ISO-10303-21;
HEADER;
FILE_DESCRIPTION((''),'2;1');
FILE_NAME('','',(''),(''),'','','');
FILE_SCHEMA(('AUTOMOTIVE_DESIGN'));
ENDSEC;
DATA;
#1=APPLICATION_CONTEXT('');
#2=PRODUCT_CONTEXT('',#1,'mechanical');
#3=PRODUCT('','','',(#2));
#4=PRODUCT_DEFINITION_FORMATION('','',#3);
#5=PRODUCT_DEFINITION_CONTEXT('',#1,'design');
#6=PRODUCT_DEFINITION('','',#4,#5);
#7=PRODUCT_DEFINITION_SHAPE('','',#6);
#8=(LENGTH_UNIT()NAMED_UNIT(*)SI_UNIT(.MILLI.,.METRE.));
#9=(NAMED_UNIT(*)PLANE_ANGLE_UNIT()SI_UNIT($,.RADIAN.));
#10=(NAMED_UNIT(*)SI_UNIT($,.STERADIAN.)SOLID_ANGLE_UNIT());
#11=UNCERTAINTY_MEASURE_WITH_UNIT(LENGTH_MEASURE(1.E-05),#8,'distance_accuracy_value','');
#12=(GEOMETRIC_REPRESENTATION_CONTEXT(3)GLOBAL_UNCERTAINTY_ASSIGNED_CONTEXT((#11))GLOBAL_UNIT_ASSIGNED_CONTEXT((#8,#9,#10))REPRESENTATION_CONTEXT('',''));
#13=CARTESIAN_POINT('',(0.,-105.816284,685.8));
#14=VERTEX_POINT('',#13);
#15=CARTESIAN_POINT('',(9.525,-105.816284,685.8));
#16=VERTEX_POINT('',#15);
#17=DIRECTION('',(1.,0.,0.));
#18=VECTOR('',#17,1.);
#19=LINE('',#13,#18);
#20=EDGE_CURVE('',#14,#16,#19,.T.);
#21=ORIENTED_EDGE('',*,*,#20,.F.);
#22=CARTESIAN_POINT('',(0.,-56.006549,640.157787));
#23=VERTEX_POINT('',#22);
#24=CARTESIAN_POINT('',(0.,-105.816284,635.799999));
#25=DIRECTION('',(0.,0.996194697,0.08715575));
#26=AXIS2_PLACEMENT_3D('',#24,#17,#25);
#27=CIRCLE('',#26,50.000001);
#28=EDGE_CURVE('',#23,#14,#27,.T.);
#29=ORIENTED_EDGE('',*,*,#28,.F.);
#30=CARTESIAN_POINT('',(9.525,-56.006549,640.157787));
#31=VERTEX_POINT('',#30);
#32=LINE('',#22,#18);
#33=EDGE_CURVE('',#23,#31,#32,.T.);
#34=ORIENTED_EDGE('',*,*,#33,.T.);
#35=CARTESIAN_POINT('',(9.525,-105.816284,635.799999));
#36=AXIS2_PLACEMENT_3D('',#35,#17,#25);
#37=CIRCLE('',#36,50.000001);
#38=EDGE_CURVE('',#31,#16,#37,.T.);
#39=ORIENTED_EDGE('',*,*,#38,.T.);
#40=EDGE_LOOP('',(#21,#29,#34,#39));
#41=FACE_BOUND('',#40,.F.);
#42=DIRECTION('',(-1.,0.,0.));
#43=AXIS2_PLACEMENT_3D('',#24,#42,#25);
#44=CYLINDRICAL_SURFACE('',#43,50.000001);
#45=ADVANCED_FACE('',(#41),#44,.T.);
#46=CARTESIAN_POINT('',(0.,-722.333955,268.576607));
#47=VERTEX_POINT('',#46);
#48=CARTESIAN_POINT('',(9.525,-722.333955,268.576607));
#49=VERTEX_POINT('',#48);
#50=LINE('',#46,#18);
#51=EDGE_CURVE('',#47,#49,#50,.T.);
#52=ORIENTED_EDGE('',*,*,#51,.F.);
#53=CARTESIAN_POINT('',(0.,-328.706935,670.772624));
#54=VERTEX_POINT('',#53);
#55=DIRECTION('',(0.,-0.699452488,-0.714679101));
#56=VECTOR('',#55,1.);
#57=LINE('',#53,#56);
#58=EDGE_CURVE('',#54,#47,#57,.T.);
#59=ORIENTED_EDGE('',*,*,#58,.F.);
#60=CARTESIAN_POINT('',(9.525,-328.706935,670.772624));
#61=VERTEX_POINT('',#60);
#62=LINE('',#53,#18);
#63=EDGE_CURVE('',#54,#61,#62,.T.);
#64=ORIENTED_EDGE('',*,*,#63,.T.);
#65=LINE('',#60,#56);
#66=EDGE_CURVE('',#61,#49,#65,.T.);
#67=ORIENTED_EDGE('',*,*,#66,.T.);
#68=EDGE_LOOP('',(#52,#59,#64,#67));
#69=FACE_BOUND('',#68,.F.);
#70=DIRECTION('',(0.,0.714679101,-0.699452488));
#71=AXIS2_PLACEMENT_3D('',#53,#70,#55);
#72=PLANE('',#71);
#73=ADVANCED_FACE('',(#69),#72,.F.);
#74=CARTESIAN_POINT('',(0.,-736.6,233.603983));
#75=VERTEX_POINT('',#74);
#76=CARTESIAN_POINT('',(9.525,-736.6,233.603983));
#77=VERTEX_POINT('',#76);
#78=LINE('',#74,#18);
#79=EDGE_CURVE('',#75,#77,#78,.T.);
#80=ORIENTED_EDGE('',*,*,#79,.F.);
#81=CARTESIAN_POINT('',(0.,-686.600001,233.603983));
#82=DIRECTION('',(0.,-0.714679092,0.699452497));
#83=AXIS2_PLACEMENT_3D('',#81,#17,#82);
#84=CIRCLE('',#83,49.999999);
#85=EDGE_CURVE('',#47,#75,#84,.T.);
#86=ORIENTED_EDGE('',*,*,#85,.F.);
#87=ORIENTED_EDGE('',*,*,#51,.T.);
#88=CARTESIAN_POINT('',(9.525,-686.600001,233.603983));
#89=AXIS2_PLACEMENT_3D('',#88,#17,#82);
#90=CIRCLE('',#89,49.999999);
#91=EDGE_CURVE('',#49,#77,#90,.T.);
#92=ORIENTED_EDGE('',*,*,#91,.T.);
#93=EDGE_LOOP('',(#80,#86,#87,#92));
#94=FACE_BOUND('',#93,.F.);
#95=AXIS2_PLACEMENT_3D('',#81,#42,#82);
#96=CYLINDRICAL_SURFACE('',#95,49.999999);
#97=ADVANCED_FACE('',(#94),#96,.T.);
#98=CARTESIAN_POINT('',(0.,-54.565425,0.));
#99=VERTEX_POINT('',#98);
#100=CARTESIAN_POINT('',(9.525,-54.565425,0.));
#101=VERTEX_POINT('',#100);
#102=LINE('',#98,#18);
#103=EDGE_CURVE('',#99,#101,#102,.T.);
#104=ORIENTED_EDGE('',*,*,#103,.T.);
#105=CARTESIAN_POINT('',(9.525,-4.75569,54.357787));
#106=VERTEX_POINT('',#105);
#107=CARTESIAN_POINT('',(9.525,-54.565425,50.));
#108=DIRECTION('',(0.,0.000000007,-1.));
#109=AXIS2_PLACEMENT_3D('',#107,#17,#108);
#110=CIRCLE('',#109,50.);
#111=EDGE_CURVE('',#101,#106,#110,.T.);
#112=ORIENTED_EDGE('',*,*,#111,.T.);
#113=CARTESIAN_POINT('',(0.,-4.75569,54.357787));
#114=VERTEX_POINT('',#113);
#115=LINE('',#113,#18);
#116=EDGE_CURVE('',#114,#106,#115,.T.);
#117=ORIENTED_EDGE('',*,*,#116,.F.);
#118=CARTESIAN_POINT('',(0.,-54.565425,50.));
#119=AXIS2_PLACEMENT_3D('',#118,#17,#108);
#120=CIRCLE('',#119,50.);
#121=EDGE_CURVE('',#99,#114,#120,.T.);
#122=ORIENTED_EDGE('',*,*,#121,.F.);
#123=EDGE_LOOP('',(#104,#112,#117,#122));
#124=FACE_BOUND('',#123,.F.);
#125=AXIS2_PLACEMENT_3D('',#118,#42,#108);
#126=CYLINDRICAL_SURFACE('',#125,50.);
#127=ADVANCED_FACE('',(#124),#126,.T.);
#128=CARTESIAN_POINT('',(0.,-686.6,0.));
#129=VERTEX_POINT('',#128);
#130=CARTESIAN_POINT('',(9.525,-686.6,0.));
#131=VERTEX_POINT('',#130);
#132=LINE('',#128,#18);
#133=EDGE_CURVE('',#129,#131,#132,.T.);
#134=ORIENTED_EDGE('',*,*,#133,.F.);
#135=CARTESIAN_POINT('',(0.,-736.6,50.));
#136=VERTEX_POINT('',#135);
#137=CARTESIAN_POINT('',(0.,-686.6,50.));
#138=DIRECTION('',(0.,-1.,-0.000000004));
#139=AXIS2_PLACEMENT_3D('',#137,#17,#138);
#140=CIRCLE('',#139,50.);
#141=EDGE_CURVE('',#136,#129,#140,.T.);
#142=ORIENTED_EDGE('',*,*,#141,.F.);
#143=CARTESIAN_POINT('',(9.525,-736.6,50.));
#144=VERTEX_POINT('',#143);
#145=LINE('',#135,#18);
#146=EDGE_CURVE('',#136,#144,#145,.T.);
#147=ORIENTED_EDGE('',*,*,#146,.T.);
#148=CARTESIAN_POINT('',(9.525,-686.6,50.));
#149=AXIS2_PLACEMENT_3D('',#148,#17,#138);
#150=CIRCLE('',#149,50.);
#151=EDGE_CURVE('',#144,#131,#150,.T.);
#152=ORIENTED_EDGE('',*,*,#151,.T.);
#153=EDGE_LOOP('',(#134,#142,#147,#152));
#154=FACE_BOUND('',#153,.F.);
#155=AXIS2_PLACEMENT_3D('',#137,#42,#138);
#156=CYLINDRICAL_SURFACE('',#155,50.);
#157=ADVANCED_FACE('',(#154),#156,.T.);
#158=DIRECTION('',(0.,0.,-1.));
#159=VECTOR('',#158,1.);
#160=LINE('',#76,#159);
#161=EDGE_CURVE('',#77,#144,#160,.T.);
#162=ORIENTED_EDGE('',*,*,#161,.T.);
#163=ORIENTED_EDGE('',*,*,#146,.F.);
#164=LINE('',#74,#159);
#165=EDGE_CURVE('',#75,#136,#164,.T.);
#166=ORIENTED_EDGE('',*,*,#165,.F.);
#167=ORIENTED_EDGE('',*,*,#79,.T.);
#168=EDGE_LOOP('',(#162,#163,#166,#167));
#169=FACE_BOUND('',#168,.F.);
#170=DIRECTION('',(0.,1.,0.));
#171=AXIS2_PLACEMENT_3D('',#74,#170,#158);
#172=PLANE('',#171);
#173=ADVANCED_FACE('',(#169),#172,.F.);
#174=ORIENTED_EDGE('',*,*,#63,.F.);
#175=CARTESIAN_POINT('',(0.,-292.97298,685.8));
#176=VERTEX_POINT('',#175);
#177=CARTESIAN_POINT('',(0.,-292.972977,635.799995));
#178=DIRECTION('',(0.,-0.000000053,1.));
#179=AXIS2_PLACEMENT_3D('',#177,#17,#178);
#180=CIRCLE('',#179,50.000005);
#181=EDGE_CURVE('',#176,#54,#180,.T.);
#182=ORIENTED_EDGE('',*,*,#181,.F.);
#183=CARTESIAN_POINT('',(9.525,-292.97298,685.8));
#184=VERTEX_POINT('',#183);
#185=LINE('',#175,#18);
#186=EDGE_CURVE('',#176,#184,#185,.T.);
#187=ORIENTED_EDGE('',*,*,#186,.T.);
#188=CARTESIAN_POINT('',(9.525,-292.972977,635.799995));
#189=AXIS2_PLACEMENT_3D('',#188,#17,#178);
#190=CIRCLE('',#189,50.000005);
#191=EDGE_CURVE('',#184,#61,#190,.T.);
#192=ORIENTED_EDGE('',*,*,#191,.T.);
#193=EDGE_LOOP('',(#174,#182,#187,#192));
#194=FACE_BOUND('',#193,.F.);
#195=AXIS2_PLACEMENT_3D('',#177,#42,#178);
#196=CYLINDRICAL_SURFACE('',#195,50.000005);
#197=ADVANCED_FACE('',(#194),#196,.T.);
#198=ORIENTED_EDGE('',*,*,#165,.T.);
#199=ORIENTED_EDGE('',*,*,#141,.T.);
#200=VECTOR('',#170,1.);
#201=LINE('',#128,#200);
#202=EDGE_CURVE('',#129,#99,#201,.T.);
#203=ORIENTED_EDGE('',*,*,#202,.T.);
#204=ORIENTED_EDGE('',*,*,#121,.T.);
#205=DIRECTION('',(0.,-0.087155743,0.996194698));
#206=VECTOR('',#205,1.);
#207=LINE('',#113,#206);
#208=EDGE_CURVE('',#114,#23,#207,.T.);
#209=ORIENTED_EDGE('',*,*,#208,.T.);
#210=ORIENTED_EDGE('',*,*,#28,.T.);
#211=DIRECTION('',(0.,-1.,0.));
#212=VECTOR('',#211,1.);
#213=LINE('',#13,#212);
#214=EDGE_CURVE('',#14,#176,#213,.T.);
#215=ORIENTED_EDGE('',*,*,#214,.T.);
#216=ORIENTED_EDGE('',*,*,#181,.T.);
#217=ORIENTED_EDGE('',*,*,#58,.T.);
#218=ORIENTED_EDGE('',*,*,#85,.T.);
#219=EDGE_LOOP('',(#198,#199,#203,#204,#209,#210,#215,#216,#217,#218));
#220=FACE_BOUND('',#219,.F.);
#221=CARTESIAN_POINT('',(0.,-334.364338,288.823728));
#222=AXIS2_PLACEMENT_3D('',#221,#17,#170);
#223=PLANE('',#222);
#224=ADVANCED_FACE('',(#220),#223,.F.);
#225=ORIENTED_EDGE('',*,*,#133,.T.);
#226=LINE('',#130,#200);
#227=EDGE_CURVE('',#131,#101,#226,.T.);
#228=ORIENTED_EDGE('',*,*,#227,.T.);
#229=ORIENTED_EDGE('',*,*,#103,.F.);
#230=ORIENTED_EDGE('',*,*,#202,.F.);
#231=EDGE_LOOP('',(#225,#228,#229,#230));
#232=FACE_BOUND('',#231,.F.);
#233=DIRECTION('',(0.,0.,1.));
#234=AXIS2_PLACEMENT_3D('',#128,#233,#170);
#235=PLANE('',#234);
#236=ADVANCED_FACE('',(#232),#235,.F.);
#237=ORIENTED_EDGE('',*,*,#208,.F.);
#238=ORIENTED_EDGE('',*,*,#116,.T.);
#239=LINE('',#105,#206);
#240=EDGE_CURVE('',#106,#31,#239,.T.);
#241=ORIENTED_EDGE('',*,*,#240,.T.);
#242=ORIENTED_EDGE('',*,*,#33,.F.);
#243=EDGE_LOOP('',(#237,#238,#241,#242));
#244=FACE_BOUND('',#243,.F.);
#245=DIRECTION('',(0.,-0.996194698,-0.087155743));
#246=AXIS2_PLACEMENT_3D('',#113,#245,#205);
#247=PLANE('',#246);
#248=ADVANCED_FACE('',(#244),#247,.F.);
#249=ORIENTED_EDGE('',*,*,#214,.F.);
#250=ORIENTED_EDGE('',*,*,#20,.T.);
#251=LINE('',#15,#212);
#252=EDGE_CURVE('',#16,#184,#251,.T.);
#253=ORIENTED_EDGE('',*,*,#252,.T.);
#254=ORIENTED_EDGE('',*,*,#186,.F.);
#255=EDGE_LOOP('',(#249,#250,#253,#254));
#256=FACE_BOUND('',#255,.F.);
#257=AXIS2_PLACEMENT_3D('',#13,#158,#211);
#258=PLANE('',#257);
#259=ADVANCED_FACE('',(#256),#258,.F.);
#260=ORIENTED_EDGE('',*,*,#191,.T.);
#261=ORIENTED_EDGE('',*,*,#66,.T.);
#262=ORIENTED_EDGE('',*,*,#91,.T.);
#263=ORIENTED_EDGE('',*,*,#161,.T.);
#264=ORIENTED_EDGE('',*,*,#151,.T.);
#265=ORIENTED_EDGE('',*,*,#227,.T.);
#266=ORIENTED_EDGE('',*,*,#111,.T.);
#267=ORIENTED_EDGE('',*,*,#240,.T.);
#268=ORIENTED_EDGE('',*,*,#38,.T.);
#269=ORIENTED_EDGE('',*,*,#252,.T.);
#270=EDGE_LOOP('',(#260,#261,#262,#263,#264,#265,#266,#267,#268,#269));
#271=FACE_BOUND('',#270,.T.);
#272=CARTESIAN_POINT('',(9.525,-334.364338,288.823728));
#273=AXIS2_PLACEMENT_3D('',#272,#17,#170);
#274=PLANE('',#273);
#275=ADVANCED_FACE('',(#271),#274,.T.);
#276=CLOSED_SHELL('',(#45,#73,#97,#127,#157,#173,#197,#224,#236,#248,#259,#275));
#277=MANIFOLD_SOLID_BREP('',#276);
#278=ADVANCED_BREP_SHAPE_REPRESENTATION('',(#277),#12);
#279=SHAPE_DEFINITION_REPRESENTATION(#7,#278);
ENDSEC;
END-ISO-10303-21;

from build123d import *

# Parameters (mm, degrees)
F1_DEPTH = 9.525


with BuildPart() as f1:
    # F0 (on Right) → F1 (new body)
    with BuildSketch(Plane.YZ):
        with BuildLine():
            Line((-686.6, 0), (-54.565425, 0))
            ThreePointArc((-54.565425, 0), (-17.701558, 16.22049), (-4.75569, 54.357787))
            Line((-4.75569, 54.357787), (-56.006549, 640.157787))
            ThreePointArc((-56.006549, 640.157787), (-72.036774, 672.663867), (-105.816284, 685.8))
            Line((-105.816284, 685.8), (-292.97298, 685.8))
            ThreePointArc((-292.97298, 685.8), (-312.355559, 681.890298), (-328.706935, 670.772624))
            Line((-328.706935, 670.772624), (-722.333955, 268.576607))
            ThreePointArc((-722.333955, 268.576607), (-732.896316, 252.489192), (-736.6, 233.603983))
            Line((-736.6, 233.603983), (-736.6, 50))
            ThreePointArc((-736.6, 50), (-721.955339, 14.644661), (-686.6, 0))
        make_face()
    extrude(amount=F1_DEPTH)


solid = f1.part
